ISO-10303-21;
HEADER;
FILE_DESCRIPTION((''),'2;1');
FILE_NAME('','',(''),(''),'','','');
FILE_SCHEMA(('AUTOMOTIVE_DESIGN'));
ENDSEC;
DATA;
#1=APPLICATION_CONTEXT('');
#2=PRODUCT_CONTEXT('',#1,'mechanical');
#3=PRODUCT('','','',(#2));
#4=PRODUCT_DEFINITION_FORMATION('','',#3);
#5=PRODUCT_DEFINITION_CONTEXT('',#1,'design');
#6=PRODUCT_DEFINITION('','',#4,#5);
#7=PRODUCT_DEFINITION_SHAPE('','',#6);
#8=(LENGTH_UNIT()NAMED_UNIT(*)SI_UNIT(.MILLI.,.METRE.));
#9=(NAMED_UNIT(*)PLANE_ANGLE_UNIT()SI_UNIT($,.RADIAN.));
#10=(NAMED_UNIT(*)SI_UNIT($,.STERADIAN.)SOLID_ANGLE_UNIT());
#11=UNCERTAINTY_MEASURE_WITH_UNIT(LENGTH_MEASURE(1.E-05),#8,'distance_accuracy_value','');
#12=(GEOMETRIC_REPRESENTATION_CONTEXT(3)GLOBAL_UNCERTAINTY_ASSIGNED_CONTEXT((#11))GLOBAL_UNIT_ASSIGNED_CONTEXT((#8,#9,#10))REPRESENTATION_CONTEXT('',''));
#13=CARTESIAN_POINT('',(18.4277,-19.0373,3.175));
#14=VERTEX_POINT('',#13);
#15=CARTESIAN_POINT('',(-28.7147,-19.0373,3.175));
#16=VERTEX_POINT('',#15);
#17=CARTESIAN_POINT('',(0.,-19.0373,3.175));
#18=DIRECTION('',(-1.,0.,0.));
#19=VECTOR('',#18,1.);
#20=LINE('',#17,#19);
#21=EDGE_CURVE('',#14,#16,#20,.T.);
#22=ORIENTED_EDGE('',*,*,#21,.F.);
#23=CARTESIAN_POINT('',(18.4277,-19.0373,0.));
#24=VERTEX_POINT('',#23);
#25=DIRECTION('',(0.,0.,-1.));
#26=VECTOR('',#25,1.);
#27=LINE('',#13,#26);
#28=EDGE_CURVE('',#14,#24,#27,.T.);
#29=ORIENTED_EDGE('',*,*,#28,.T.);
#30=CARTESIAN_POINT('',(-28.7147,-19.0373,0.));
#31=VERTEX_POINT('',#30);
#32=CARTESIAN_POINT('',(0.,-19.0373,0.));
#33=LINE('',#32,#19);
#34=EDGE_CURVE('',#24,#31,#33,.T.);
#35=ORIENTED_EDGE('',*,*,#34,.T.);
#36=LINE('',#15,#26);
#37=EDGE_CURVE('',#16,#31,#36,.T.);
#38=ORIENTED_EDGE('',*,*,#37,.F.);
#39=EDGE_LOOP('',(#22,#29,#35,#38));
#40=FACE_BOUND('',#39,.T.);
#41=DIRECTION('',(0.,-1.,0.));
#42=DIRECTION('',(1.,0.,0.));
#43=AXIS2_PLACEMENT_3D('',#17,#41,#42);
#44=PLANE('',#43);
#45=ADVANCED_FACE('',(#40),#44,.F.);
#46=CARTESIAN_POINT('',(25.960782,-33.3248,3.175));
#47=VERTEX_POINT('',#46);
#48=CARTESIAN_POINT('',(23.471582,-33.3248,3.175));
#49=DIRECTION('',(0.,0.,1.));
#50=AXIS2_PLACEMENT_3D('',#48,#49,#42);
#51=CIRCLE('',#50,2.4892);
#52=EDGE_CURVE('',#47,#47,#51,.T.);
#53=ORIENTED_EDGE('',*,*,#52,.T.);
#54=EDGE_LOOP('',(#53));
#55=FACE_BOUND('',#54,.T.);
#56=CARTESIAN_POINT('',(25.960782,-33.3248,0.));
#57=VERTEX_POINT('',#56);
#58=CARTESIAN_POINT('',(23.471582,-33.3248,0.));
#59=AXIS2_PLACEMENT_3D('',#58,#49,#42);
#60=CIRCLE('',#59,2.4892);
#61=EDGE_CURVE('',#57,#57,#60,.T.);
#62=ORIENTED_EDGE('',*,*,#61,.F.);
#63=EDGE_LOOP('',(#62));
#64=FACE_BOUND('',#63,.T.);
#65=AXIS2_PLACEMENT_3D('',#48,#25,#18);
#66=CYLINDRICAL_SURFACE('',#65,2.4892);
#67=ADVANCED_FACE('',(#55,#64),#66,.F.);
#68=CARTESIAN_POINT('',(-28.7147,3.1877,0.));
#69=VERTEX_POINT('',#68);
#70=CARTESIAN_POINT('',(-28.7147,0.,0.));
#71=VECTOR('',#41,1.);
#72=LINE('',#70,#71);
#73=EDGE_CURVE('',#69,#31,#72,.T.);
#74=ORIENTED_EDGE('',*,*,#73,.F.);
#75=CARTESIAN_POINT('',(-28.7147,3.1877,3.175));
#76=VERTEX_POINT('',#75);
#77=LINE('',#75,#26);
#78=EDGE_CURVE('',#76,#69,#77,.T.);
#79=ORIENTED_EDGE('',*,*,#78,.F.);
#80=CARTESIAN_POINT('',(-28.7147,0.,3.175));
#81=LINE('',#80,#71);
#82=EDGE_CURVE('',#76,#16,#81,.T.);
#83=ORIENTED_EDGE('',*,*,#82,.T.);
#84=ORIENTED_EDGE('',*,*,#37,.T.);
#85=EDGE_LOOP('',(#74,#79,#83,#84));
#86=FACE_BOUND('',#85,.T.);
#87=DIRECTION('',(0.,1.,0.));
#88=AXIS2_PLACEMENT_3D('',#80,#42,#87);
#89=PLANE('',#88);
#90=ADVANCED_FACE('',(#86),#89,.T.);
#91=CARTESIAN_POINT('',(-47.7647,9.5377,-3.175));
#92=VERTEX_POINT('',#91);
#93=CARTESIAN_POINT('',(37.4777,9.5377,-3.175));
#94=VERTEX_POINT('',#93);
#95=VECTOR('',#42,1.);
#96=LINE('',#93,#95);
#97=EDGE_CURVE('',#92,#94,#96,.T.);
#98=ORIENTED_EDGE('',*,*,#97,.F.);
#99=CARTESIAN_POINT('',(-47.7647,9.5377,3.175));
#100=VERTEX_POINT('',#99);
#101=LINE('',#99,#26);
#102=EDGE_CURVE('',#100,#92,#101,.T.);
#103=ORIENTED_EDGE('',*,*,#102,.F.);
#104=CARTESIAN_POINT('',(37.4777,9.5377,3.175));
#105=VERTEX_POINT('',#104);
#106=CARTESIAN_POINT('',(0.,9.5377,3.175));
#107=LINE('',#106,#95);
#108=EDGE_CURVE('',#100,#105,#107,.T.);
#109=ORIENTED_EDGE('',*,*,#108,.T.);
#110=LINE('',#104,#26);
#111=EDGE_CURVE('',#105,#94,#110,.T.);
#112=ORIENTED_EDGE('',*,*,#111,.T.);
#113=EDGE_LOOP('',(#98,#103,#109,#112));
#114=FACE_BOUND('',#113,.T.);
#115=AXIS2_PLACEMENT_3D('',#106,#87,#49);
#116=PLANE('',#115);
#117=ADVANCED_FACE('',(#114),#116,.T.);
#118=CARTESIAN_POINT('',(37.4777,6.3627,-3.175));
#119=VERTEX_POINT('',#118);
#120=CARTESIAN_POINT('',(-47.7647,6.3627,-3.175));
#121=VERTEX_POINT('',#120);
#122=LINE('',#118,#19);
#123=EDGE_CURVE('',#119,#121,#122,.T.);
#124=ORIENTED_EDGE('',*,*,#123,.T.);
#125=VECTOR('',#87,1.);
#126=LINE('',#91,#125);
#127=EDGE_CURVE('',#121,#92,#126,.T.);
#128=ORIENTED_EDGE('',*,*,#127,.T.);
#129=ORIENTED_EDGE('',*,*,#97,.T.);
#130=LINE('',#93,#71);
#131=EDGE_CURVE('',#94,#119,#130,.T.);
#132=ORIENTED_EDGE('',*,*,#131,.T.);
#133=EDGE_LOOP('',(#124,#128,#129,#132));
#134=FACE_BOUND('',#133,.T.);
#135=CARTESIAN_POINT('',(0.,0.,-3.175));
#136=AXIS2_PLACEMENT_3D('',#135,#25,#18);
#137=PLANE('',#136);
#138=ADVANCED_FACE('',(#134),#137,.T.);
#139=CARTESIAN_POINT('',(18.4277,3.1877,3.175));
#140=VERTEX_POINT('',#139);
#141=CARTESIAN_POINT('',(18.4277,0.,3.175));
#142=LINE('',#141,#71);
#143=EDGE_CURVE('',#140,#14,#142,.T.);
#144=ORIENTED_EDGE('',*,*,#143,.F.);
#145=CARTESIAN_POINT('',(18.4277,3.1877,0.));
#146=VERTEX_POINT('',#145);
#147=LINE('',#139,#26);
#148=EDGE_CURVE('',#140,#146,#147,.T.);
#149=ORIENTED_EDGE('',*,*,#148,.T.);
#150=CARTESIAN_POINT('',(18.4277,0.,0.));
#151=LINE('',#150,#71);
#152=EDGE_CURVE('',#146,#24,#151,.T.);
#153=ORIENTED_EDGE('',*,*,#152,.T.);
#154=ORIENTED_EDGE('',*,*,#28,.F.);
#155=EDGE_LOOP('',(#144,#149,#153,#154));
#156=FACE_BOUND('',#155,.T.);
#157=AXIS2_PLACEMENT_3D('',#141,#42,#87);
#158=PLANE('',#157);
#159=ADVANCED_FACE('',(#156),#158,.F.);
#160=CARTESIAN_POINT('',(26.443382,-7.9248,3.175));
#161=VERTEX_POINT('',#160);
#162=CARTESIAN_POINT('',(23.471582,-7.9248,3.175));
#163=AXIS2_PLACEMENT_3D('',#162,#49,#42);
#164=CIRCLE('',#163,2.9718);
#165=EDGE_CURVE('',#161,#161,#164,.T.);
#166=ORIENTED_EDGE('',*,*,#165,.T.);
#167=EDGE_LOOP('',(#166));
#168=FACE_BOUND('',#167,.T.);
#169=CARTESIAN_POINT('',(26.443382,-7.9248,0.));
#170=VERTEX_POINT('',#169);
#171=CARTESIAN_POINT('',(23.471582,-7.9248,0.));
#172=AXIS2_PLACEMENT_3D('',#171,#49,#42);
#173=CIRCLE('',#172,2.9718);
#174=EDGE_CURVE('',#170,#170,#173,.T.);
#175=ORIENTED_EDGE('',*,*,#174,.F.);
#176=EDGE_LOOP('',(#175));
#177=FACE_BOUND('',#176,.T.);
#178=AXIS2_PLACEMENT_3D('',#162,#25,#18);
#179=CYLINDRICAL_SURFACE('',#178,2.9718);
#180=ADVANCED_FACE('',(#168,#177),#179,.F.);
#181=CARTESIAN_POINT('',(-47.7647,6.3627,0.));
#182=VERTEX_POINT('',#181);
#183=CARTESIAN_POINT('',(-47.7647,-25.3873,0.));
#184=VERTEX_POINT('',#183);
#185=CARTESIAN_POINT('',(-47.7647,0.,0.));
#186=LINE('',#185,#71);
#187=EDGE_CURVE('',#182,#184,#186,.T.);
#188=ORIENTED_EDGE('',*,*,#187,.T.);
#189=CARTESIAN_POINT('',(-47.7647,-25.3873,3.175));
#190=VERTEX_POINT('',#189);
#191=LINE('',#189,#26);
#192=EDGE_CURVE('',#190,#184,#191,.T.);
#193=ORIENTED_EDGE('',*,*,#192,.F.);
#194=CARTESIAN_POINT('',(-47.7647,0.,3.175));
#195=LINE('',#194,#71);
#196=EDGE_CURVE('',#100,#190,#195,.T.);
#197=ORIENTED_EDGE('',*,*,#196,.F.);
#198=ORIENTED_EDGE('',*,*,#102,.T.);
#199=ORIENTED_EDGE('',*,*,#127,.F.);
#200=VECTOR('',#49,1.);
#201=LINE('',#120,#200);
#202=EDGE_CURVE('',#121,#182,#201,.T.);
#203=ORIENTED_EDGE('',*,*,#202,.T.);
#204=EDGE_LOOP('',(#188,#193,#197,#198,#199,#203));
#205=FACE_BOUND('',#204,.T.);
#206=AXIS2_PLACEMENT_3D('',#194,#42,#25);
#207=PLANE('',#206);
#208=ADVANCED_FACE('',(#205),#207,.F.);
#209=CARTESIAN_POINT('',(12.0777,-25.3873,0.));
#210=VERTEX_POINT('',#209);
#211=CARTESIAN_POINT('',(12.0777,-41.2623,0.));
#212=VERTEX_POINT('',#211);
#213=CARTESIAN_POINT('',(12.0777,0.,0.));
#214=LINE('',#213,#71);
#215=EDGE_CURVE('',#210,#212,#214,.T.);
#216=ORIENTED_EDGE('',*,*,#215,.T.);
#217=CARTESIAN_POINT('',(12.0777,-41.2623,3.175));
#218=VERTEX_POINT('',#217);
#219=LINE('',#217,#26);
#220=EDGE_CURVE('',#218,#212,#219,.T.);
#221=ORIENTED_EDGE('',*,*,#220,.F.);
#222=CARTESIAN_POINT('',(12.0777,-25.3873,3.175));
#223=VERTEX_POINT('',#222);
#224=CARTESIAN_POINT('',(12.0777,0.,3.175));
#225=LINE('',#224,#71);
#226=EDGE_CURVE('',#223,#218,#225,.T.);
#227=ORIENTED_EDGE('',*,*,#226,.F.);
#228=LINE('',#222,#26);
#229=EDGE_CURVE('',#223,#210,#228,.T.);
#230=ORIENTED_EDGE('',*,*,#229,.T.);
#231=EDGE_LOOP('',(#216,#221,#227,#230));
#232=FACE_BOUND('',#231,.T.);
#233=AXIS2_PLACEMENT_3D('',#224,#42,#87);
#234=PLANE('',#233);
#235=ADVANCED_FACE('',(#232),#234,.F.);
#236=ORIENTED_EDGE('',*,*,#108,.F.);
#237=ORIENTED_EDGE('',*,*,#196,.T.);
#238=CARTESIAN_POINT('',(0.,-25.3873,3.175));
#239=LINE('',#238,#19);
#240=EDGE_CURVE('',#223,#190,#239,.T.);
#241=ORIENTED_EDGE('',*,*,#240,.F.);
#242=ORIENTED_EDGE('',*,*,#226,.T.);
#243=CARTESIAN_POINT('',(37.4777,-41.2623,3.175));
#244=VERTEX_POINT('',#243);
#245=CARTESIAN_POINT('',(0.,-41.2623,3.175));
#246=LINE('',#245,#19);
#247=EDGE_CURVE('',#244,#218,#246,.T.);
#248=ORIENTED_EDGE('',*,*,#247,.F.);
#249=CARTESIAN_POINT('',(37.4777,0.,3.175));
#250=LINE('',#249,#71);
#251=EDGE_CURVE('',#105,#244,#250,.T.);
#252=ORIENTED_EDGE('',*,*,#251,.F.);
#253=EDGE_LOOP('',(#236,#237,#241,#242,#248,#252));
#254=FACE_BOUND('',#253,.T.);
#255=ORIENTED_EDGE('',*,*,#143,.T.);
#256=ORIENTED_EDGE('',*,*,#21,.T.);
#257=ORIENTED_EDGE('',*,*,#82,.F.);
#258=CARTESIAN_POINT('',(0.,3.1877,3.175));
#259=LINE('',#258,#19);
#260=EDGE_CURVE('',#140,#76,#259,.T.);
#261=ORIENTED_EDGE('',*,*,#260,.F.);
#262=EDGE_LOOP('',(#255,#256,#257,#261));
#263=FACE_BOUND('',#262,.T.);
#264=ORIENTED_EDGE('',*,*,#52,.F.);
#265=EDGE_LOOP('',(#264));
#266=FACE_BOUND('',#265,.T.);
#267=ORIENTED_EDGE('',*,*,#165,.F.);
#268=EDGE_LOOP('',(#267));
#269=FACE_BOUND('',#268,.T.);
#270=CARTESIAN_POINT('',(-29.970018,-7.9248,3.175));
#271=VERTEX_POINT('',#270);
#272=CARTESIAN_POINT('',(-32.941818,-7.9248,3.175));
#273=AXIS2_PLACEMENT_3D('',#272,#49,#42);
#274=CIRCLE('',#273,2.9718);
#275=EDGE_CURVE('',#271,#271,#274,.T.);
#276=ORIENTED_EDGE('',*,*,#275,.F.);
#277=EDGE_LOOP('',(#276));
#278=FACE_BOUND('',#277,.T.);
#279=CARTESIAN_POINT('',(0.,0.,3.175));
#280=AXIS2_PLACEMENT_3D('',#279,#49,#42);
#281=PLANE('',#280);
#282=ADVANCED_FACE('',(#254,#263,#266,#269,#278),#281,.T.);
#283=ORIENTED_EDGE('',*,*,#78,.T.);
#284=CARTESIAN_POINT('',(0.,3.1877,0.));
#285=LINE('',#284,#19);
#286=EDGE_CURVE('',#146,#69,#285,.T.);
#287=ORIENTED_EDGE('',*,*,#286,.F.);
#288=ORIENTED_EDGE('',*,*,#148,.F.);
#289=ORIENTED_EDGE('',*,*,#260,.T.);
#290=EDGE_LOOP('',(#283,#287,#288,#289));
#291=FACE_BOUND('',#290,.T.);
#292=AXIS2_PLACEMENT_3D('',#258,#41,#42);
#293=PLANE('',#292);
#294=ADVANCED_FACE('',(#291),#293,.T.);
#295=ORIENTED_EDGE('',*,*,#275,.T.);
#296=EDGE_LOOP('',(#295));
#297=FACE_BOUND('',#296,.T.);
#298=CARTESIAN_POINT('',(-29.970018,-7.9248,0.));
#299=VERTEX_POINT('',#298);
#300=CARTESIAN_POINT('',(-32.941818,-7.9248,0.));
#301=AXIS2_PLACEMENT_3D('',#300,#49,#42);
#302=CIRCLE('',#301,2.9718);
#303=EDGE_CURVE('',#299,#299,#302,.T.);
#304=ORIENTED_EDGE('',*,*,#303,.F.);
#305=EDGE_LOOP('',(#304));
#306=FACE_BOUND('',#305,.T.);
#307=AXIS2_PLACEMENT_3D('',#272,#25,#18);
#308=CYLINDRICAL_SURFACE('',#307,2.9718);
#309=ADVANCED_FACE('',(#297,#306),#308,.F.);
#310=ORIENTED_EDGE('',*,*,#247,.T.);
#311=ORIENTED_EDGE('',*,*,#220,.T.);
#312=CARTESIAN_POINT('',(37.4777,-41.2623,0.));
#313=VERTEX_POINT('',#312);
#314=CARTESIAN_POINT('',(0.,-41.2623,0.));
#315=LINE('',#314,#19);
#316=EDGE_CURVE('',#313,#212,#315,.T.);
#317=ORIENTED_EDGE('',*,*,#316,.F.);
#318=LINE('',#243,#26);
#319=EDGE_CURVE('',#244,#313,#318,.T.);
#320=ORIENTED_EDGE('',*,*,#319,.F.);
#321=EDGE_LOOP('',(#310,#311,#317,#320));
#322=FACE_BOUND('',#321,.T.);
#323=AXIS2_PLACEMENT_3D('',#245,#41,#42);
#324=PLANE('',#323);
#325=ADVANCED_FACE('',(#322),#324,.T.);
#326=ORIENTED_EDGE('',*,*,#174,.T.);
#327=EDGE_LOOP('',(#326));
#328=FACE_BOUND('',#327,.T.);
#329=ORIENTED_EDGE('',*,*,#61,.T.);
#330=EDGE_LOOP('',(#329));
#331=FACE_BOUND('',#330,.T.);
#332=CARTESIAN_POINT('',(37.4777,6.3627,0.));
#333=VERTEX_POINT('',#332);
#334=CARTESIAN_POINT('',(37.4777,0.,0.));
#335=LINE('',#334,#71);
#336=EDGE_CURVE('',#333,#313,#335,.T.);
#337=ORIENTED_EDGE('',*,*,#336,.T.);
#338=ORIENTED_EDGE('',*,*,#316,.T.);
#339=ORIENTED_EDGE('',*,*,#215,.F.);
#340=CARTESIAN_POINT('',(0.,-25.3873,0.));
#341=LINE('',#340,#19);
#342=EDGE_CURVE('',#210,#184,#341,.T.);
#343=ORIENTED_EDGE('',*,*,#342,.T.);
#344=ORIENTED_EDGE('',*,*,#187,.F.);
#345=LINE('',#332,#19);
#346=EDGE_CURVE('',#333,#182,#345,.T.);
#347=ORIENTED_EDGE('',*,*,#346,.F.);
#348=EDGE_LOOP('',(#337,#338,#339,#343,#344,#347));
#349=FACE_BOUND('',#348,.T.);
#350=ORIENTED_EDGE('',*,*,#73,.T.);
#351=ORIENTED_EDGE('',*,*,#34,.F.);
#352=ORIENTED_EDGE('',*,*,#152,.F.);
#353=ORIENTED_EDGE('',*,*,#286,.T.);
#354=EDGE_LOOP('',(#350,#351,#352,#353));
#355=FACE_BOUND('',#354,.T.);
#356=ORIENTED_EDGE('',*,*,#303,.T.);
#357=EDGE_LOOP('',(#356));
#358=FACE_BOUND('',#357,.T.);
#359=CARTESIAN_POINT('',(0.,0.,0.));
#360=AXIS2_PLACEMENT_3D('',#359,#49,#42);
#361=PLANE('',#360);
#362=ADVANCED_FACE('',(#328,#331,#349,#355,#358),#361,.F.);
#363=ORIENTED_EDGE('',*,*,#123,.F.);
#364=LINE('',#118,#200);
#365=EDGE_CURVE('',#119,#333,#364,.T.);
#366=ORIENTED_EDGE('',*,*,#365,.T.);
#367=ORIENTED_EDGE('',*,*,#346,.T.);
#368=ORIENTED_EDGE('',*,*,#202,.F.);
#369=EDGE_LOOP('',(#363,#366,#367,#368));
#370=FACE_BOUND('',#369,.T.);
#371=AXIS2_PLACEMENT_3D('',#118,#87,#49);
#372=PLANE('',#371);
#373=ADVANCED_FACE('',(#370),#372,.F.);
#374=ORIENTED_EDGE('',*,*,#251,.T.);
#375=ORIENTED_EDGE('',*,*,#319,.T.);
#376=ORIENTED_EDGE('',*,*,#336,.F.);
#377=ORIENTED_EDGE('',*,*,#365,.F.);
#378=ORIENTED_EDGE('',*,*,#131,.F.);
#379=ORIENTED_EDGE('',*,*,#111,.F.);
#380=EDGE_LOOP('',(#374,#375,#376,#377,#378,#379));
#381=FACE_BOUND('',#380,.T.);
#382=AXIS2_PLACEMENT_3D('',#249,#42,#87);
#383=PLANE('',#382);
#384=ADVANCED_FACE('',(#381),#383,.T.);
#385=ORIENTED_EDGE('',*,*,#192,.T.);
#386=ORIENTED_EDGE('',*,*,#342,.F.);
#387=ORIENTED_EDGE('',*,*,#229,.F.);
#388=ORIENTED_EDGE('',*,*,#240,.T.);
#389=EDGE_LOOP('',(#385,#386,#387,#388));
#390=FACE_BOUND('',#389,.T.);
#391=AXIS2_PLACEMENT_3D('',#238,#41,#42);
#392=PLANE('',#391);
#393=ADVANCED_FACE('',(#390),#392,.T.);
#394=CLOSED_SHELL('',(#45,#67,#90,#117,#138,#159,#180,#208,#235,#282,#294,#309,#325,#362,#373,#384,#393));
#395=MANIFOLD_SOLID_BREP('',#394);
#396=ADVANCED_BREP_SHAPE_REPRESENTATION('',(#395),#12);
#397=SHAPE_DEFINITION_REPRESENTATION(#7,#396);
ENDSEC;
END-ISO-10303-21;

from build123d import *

# Parameters (mm, degrees)
SKETCH1_R           = 2.9718
SKETCH1_W           = 47.1424
SKETCH1_H           = 22.225
SKETCH1_R_2         = 2.4892
BOSS_EXTRUDE1_DEPTH = 3.175
SKETCH2_W           = 85.2424
SKETCH2_H           = 3.175
BOSS_EXTRUDE2_DEPTH = 3.175


with BuildPart() as part:
    # Sketch1 → Boss-Extrude1 (new body)
    with BuildSketch(Plane.XY):
        Polygon((37.4777, 9.5377), (24.7777, 9.5377), (-35.0647, 9.5377), (-47.7647, 9.5377), (-47.7647, -25.3873), (-35.0647, -25.3873), (12.0777, -25.3873), (24.7777, -25.3873), (37.4777, -25.3873), align=None)
        with Locations((-32.941818083, -7.9248)):
            Circle(SKETCH1_R, mode=Mode.SUBTRACT)
        with Locations((-5.1435, -7.9248)):
            Rectangle(SKETCH1_W, SKETCH1_H, mode=Mode.SUBTRACT)
        with Locations((23.471581917, -7.9248)):
            Circle(SKETCH1_R, mode=Mode.SUBTRACT)
        Polygon((37.4777, -41.2623), (37.4777, -25.3873), (24.7777, -25.3873), (12.0777, -25.3873), (12.0777, -41.2623), align=None)
        with Locations((23.471581917, -33.3248)):
            Circle(SKETCH1_R_2, mode=Mode.SUBTRACT)
    extrude(amount=BOSS_EXTRUDE1_DEPTH)

    # Sketch2 → Boss-Extrude2 (add)
    with BuildSketch(Plane(origin=(0, 0, 0), x_dir=(-1, 0, 0), z_dir=(0, 0, -1))):
        with Locations((5.1435, 7.9502)):
            Rectangle(SKETCH2_W, SKETCH2_H)
    extrude(amount=BOSS_EXTRUDE2_DEPTH)


solid = part.part
